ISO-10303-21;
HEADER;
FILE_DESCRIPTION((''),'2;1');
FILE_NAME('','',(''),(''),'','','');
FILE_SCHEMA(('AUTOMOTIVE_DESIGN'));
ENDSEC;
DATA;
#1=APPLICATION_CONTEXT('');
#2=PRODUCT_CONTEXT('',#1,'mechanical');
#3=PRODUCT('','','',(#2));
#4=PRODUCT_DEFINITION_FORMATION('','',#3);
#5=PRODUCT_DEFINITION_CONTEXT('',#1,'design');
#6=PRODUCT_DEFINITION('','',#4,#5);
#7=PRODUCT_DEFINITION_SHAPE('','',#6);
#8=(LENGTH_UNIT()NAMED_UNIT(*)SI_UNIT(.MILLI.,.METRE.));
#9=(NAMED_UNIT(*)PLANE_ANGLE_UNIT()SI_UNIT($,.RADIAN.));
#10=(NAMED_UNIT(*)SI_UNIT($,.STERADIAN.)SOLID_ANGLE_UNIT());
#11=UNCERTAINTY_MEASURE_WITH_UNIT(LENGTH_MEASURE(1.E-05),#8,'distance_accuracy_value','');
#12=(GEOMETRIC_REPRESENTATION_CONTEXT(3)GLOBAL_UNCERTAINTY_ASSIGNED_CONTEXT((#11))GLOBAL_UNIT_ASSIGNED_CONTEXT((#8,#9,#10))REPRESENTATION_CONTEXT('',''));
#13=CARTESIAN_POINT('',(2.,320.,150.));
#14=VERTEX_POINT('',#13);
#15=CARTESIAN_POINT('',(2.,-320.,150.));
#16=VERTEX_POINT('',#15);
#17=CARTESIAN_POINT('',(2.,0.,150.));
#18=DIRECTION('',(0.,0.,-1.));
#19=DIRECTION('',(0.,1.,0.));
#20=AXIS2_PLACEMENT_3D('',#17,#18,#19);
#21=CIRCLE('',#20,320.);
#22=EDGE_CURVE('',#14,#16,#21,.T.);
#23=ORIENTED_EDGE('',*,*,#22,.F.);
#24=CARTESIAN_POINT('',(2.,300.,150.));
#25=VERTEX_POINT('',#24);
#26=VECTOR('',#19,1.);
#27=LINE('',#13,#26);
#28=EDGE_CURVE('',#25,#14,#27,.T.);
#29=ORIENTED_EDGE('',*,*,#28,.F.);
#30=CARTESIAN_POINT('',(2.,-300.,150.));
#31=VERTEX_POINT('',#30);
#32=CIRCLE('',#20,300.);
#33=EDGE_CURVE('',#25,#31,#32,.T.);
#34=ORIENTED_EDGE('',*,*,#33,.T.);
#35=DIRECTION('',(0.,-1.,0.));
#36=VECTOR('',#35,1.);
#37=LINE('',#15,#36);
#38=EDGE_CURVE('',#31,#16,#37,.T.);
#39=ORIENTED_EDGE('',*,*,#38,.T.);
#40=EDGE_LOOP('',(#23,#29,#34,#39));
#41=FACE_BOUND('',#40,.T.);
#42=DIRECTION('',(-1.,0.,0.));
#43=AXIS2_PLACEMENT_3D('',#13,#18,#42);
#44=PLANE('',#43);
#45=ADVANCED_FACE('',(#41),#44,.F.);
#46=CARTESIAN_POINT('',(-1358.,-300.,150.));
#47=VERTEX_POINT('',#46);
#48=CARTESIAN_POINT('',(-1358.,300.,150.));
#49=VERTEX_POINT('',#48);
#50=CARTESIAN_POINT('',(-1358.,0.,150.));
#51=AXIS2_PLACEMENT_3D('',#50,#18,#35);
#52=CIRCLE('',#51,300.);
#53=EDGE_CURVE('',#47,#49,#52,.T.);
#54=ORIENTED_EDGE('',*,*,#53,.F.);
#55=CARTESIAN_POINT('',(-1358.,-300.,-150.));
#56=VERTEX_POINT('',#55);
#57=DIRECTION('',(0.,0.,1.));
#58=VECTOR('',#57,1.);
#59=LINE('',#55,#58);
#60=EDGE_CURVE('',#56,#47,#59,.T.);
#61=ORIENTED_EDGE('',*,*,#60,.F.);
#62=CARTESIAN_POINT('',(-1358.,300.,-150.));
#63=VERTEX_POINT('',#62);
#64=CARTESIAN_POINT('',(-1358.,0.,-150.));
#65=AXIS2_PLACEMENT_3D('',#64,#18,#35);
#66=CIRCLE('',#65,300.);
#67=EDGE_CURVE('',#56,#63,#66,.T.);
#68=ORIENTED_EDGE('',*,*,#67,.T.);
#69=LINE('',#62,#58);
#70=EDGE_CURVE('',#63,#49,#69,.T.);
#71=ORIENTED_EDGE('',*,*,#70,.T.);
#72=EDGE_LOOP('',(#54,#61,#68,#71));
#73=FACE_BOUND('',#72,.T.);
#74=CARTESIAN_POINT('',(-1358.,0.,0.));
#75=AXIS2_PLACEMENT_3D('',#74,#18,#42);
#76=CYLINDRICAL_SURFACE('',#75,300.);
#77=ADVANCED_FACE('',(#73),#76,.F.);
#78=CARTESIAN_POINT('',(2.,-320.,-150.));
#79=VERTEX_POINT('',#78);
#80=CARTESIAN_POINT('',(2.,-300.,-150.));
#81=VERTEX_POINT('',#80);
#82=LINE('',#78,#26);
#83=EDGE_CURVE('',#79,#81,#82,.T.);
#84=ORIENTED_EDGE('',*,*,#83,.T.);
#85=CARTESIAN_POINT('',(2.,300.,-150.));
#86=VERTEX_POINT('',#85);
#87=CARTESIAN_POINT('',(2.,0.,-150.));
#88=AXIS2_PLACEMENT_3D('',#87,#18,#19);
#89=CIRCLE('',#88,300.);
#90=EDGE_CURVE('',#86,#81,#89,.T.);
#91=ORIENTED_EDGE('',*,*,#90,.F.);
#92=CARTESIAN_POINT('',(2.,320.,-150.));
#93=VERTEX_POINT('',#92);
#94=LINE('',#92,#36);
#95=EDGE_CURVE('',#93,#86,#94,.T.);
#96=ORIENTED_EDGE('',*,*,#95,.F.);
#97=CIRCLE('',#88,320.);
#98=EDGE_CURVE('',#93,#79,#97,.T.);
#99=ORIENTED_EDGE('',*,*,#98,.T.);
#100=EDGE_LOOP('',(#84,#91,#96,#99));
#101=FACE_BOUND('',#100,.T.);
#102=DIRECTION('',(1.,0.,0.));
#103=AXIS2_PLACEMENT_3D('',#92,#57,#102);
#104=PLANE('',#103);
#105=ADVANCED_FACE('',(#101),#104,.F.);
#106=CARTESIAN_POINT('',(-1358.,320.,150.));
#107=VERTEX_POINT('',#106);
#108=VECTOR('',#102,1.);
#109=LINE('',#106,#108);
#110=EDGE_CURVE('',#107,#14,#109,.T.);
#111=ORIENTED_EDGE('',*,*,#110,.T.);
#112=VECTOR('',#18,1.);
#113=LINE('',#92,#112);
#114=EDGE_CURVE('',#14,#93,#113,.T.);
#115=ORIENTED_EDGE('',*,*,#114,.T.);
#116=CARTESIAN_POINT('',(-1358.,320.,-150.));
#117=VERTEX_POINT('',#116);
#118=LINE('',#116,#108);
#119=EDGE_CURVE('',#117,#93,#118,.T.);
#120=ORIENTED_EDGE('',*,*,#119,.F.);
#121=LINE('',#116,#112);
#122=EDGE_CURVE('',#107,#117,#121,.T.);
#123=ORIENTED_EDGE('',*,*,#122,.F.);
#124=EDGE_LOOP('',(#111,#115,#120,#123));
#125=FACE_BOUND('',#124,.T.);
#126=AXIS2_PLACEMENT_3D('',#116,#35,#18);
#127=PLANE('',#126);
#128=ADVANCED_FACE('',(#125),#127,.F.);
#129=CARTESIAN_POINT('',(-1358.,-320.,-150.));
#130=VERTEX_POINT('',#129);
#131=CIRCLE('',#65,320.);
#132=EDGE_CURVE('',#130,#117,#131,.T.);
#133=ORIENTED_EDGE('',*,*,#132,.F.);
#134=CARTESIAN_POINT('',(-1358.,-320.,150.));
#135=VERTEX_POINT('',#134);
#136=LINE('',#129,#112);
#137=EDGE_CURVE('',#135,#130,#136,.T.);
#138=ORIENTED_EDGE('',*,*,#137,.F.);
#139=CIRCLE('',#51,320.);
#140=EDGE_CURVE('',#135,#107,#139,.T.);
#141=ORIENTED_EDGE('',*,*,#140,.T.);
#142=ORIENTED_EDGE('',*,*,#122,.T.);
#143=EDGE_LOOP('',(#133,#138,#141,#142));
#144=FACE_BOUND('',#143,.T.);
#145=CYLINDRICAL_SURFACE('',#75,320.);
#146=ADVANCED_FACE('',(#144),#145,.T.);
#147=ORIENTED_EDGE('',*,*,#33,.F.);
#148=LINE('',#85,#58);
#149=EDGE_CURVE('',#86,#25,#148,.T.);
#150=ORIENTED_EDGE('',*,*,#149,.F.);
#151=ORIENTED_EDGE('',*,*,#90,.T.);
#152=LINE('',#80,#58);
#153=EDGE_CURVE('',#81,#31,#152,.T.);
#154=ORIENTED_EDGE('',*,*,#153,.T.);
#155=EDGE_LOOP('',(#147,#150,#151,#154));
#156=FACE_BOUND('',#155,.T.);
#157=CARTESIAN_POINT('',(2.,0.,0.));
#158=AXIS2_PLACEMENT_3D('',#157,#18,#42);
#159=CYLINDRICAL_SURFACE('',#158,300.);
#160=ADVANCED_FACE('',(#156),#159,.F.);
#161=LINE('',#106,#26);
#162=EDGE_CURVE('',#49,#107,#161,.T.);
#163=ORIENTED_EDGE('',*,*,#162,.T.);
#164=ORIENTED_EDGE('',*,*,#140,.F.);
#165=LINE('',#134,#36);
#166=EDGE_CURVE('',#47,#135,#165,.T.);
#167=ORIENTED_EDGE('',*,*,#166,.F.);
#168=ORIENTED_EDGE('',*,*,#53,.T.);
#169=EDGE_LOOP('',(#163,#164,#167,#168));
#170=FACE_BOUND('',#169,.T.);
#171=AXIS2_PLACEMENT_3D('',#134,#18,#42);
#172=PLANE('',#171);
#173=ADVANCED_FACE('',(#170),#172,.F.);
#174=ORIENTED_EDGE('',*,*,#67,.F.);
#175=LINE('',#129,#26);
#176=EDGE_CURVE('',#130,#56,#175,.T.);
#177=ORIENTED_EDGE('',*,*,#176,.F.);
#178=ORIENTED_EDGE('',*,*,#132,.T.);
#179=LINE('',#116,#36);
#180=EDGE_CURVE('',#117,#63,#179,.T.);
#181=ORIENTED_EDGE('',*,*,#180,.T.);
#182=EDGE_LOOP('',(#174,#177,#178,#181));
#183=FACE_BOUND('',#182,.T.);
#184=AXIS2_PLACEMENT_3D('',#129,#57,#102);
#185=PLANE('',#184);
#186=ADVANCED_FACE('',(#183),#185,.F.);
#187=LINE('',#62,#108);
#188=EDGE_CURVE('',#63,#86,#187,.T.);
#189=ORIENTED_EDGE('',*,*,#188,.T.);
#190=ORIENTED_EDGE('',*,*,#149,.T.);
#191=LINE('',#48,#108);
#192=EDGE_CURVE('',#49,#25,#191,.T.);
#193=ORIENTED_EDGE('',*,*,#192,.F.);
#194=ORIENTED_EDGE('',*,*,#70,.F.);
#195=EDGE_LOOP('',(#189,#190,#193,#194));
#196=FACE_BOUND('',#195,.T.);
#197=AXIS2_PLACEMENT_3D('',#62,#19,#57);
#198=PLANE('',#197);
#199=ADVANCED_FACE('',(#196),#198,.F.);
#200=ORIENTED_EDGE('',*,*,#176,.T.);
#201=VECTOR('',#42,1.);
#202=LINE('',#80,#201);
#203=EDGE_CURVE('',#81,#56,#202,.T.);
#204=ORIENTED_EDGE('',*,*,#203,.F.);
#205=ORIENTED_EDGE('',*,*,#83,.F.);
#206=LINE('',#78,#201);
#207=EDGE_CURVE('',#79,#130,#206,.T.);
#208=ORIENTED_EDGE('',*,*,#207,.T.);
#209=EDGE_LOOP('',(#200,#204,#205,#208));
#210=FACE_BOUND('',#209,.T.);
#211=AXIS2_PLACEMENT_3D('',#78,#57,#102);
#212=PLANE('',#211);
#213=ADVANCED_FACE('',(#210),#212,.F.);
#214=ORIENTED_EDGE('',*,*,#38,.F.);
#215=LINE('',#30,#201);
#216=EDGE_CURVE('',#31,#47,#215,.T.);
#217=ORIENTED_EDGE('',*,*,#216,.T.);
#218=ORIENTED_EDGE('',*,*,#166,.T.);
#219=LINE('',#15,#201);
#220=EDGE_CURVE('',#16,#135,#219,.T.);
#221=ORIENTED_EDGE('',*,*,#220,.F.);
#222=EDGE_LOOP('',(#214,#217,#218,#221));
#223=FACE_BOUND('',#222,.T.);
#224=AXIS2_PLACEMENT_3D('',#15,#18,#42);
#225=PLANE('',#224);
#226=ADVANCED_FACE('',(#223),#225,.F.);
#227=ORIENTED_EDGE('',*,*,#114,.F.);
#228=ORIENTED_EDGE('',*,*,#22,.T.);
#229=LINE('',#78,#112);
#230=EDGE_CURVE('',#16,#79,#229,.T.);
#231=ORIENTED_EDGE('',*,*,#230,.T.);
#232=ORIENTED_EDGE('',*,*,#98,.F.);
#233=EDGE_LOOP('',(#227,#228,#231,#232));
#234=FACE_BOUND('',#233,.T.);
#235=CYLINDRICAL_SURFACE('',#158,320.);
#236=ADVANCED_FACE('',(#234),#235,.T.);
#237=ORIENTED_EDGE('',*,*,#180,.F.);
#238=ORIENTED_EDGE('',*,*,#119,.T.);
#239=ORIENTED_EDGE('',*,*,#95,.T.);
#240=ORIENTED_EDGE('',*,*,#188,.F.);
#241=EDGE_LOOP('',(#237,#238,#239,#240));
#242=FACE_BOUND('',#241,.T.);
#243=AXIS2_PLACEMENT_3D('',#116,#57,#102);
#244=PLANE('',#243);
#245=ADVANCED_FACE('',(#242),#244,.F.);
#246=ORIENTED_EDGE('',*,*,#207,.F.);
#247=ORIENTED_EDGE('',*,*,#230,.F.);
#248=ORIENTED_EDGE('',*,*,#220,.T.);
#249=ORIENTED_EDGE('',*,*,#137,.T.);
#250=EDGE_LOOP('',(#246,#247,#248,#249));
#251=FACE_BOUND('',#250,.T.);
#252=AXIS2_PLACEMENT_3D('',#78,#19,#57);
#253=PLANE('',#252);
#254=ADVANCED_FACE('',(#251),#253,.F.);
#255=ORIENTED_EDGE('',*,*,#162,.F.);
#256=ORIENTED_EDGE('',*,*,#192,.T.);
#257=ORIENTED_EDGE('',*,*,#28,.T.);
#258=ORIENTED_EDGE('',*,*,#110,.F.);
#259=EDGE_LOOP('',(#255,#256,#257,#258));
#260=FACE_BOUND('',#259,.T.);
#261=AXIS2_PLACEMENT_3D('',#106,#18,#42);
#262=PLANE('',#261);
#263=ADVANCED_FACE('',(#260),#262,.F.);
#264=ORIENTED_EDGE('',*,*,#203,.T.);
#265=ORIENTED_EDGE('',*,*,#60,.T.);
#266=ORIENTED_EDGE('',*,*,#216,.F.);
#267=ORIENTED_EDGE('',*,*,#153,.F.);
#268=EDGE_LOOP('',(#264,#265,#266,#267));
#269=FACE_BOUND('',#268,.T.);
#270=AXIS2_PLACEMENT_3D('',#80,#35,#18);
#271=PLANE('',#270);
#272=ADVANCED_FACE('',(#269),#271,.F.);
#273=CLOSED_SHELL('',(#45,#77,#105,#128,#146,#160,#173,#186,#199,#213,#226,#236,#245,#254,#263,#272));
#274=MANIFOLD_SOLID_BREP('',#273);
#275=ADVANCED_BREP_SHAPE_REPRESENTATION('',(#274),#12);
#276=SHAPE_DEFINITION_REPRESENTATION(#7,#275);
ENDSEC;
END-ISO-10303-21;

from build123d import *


with BuildPart() as part:
    # Austragung1: sweep along a path in Skizze2
    with BuildLine(Plane.XY) as austragung1_path:
        Line((2, -300), (-1358, -300))
        ThreePointArc((-1358, -300), (-1658, 0), (-1358, 300))
        Line((-1358, 300), (2, 300))
        ThreePointArc((2, 300), (302, 0), (2, -300))
    # 3D-Skizze2 → Austragung1 (sweep)
    with BuildSketch(Plane(origin=(2, 320, -150), x_dir=(0, -0.066519010523774, 0.997785157856609), z_dir=(-1, 0, 0))):
        Polygon((0, 0), (299.335547357, 19.955703157), (300.665927567, 0), (1.33038021, -19.955703157), align=None)
    sweep(path=austragung1_path.line)


solid = part.part
